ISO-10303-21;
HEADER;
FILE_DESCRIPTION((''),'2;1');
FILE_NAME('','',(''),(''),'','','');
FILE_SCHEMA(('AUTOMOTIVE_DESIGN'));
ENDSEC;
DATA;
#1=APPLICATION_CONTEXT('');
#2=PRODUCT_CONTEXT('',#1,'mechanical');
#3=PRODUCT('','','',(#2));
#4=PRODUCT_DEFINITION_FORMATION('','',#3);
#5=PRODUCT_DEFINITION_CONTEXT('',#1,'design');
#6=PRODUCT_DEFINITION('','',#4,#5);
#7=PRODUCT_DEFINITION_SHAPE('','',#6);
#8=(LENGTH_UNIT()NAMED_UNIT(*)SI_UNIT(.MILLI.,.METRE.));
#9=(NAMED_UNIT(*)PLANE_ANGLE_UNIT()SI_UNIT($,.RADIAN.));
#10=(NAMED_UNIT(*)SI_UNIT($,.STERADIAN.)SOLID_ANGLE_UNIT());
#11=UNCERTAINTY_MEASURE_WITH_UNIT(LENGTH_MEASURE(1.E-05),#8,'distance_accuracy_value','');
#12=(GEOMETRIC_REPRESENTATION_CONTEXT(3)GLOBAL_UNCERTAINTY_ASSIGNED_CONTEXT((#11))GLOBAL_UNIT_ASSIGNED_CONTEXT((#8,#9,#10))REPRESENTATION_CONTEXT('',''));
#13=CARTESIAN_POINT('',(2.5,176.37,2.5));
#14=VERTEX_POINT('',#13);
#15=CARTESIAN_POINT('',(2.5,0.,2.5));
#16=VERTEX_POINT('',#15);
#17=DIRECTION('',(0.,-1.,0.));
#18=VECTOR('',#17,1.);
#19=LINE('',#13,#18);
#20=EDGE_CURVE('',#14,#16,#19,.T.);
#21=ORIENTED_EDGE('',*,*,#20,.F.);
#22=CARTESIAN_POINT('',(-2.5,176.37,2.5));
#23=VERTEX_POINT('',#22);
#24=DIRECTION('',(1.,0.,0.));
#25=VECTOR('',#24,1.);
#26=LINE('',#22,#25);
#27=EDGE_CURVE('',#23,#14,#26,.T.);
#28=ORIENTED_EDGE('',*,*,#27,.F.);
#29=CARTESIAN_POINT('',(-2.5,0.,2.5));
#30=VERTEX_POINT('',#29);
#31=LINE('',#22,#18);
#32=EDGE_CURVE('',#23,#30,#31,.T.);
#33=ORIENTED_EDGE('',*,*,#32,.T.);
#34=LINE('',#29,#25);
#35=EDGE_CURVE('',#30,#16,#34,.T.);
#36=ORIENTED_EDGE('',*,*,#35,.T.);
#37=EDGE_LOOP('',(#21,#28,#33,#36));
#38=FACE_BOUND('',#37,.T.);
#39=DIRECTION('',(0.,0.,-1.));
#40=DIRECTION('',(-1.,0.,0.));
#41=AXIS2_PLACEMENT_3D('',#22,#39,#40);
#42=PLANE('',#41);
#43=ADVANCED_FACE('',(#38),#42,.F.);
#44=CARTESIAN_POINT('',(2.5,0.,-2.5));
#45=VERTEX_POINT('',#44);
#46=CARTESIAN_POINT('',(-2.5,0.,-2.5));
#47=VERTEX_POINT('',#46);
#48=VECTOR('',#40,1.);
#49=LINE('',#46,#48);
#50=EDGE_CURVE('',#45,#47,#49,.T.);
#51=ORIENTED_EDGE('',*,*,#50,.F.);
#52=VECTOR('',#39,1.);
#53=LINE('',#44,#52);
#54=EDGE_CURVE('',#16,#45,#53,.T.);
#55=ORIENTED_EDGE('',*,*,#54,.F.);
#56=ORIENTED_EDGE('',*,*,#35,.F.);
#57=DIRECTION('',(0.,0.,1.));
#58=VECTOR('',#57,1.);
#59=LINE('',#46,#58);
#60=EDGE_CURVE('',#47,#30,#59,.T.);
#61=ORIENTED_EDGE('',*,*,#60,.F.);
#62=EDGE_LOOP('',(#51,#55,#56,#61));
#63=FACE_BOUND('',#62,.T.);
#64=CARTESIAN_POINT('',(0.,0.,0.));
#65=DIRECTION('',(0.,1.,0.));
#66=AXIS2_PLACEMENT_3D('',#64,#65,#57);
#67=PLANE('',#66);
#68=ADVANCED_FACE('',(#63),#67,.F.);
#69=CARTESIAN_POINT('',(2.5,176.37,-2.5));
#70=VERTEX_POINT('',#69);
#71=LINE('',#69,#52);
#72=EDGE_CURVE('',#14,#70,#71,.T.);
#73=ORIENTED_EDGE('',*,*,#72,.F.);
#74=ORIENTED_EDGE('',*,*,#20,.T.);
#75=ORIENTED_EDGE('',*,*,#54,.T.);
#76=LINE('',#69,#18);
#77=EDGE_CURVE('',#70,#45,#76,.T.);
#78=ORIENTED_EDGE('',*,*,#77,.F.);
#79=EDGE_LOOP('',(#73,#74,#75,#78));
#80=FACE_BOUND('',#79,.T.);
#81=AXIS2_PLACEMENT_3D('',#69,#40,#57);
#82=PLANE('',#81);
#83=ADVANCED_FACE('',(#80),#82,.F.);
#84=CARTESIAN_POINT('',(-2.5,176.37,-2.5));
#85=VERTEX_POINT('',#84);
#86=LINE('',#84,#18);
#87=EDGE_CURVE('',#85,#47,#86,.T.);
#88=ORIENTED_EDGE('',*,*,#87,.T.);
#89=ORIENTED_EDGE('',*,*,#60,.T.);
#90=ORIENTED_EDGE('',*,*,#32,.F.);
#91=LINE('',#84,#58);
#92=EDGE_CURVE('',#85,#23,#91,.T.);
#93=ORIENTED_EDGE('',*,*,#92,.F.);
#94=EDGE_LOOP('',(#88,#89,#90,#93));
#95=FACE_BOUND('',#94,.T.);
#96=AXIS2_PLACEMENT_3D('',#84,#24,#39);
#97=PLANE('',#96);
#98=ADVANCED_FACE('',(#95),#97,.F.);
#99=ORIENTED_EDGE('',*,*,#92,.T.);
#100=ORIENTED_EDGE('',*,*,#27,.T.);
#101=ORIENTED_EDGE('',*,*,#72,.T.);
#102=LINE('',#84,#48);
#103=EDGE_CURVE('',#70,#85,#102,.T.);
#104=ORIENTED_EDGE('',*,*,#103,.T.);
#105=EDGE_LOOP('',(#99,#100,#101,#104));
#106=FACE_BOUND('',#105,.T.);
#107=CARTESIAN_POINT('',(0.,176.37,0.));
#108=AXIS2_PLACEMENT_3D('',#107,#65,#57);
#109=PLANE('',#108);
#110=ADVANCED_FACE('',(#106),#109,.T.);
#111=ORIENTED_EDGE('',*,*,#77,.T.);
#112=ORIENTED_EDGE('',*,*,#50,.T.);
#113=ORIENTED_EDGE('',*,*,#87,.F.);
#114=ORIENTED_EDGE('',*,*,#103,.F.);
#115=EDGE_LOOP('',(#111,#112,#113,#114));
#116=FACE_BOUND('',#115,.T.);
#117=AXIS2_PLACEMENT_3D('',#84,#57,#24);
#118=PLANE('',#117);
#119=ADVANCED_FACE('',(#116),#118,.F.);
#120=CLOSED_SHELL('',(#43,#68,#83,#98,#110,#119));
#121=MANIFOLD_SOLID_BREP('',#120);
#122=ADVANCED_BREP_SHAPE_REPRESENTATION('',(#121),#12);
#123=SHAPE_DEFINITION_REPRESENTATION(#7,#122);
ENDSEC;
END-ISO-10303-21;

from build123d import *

# Parameters (mm, degrees)
SKETCH_1_W      = 5
SKETCH_1_H      = 5
EXTRUDE_1_DEPTH = 176.37


with BuildPart() as part:
    # Эскиз1 → Бобышка-Вытянуть1 (new body)
    with BuildSketch(Plane(origin=(0, 0, 0), x_dir=(1, 0, 0), z_dir=(0, 1, 0))):
        Rectangle(SKETCH_1_W, SKETCH_1_H)
    extrude(amount=EXTRUDE_1_DEPTH)


solid = part.part
